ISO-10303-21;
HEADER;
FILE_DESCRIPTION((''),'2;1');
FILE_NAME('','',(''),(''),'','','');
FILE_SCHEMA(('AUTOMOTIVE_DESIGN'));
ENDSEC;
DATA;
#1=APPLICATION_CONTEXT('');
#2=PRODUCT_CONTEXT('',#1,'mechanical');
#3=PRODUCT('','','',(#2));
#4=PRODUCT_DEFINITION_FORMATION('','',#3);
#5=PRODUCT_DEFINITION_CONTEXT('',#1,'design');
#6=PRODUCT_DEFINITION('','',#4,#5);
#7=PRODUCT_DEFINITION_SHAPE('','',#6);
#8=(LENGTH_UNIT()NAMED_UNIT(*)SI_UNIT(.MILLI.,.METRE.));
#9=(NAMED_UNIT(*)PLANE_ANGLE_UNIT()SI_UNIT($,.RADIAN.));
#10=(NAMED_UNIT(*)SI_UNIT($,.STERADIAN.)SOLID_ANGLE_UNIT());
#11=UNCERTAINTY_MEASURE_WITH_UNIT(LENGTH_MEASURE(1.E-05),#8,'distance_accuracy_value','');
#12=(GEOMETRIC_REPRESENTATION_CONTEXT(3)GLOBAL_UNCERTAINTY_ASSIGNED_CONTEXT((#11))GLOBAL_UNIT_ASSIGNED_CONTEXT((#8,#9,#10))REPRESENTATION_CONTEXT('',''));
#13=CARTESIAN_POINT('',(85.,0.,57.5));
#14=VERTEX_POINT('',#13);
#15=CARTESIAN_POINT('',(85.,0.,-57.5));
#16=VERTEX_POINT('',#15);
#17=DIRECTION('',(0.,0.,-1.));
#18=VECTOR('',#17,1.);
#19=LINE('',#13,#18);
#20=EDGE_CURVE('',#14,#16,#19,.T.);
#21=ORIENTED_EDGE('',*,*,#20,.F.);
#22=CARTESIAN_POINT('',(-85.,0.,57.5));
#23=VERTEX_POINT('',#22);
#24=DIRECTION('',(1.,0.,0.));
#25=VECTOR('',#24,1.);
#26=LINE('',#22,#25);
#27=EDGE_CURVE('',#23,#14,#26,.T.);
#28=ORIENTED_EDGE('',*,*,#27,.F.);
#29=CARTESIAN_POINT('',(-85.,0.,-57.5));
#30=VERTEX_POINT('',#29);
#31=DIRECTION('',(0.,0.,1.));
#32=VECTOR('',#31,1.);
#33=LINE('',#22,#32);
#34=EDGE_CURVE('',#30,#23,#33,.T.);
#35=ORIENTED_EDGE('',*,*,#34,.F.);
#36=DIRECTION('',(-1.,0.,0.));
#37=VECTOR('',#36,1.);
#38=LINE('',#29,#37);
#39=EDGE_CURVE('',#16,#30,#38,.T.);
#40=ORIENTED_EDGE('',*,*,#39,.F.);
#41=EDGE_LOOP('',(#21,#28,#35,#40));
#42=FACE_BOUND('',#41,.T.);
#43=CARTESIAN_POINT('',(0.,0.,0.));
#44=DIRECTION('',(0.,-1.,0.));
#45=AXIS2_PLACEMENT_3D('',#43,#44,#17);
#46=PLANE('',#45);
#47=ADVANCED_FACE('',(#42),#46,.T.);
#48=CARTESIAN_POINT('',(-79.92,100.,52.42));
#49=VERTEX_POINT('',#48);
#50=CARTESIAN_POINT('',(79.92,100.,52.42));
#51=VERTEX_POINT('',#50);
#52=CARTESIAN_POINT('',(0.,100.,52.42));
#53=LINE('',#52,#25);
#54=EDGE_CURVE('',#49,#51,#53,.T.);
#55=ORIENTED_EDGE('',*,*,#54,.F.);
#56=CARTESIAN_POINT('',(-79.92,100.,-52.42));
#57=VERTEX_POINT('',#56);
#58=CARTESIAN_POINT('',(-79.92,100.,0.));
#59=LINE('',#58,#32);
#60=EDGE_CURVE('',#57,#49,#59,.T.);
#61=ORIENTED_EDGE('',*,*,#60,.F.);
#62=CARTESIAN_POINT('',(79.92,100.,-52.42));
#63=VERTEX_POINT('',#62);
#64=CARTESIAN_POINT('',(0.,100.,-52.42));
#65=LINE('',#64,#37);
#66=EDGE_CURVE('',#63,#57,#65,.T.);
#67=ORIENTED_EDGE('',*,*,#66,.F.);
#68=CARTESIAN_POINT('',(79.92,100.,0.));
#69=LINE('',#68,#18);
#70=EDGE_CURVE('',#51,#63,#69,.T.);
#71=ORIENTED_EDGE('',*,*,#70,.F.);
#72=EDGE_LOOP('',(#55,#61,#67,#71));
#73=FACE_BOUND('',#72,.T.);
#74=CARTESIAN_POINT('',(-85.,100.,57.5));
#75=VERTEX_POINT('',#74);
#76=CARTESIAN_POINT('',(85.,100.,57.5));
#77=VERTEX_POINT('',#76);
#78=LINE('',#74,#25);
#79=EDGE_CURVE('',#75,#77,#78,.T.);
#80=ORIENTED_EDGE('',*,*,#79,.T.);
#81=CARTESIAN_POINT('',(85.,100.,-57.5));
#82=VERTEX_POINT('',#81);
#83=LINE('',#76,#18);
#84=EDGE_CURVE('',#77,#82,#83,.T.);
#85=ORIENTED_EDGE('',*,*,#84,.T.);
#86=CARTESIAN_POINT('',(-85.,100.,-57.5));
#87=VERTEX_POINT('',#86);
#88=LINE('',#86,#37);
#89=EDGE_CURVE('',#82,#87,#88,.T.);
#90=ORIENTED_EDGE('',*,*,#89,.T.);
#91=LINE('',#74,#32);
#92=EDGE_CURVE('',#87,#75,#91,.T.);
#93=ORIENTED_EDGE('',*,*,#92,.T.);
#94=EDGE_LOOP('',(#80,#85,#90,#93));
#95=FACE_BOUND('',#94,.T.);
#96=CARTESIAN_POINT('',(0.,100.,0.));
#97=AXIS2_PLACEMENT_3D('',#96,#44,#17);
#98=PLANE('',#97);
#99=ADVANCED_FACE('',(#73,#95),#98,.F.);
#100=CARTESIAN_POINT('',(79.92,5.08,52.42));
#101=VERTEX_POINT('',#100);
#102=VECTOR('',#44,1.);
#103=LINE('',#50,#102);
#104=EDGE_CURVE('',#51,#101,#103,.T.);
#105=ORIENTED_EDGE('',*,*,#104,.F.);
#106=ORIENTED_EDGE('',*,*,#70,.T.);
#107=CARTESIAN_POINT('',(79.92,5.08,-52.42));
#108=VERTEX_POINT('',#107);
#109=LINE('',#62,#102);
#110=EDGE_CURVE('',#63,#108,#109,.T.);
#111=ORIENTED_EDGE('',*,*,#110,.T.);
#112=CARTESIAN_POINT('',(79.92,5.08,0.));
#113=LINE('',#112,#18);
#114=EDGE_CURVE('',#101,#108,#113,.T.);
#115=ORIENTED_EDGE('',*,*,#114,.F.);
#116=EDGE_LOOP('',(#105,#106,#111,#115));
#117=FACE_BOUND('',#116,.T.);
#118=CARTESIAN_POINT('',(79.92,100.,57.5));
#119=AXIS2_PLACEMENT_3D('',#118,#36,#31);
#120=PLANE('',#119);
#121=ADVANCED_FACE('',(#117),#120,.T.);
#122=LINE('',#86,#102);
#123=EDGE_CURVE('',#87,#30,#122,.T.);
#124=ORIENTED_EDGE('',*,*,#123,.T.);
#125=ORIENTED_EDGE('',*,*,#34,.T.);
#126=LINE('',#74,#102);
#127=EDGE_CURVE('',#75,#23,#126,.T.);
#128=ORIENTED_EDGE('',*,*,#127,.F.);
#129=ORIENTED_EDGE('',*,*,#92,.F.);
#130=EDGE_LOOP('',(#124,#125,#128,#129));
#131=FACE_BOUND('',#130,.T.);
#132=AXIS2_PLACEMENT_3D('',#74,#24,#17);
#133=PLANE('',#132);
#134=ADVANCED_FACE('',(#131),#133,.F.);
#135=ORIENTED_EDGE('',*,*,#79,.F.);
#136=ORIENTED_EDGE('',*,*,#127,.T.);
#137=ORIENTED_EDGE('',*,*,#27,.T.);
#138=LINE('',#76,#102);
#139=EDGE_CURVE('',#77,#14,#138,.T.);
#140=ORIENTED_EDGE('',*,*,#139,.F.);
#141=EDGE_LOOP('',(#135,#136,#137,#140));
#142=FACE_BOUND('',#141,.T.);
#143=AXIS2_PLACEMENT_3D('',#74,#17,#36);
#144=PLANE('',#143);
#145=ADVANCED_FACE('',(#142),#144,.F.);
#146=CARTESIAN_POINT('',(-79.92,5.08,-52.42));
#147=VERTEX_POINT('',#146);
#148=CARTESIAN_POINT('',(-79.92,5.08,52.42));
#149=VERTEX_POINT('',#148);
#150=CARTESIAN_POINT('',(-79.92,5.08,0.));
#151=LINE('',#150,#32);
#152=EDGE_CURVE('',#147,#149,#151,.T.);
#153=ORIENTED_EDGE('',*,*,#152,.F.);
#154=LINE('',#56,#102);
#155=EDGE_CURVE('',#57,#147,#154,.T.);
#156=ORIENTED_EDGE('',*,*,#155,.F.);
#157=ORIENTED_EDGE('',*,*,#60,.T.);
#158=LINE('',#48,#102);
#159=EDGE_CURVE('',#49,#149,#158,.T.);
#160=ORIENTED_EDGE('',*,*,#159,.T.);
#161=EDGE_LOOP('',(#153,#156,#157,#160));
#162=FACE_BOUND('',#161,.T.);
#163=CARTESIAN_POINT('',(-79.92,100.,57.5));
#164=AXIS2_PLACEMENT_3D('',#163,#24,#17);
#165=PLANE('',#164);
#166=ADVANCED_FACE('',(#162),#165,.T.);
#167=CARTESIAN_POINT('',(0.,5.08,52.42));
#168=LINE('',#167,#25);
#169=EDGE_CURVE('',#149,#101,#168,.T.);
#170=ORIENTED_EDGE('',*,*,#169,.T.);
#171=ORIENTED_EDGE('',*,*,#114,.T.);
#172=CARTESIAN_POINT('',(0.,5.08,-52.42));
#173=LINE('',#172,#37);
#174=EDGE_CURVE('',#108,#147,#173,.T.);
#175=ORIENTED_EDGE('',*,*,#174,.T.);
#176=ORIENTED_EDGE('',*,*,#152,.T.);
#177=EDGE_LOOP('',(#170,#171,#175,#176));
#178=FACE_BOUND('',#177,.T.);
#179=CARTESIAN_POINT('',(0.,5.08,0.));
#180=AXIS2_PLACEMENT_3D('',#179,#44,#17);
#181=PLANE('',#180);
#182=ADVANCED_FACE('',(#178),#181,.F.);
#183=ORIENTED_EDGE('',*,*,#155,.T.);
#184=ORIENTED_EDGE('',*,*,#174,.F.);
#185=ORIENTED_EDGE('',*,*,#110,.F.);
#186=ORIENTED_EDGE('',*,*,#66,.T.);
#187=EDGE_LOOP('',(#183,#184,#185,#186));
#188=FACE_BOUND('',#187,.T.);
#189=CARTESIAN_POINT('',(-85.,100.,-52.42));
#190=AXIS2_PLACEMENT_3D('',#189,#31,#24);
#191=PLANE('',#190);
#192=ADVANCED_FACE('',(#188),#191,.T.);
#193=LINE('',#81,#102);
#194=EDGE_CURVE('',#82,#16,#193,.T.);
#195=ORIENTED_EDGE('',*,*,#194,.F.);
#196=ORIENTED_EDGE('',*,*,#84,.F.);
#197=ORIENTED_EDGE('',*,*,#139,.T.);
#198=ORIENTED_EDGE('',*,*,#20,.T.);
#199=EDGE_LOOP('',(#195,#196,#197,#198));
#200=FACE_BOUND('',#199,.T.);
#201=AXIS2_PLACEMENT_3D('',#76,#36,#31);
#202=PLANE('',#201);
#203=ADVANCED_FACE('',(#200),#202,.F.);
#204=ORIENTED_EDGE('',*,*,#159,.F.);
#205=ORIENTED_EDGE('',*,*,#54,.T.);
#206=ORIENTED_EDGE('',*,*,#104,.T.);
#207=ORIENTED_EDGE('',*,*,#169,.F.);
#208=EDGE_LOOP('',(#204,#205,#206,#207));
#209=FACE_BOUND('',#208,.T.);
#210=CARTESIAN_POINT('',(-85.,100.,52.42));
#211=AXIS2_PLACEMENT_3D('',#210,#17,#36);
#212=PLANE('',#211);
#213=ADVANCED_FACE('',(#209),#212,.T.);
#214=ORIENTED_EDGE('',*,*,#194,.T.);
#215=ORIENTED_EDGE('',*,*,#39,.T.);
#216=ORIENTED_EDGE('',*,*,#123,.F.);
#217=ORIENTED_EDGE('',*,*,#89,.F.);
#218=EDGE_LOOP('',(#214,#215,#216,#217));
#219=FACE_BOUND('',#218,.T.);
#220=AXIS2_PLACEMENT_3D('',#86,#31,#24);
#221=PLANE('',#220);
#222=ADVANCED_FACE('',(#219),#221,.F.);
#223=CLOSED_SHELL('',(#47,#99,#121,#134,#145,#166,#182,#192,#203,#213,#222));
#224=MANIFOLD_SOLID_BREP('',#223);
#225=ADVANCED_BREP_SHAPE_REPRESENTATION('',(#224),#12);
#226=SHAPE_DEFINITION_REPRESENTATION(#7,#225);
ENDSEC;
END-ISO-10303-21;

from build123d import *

# Parameters (mm, degrees)
SKETCH1_W           = 170
SKETCH1_H           = 115
BOSS_EXTRUDE1_DEPTH = 100
SHELL1_T            = -5.08


with BuildPart() as part:
    # Sketch1 → Boss-Extrude1 (new body)
    with BuildSketch(Plane(origin=(0, 0, 0), x_dir=(1, 0, 0), z_dir=(0, 1, 0))):
        Rectangle(SKETCH1_W, SKETCH1_H)
    extrude(amount=BOSS_EXTRUDE1_DEPTH)

    # Shell1
    shell1_openings = [part.faces().sort_by_distance(p)[0] for p in [
        (0, 100, 0),
    ]]
    offset(amount=SHELL1_T, openings=shell1_openings, kind=Kind.INTERSECTION)


solid = part.part
